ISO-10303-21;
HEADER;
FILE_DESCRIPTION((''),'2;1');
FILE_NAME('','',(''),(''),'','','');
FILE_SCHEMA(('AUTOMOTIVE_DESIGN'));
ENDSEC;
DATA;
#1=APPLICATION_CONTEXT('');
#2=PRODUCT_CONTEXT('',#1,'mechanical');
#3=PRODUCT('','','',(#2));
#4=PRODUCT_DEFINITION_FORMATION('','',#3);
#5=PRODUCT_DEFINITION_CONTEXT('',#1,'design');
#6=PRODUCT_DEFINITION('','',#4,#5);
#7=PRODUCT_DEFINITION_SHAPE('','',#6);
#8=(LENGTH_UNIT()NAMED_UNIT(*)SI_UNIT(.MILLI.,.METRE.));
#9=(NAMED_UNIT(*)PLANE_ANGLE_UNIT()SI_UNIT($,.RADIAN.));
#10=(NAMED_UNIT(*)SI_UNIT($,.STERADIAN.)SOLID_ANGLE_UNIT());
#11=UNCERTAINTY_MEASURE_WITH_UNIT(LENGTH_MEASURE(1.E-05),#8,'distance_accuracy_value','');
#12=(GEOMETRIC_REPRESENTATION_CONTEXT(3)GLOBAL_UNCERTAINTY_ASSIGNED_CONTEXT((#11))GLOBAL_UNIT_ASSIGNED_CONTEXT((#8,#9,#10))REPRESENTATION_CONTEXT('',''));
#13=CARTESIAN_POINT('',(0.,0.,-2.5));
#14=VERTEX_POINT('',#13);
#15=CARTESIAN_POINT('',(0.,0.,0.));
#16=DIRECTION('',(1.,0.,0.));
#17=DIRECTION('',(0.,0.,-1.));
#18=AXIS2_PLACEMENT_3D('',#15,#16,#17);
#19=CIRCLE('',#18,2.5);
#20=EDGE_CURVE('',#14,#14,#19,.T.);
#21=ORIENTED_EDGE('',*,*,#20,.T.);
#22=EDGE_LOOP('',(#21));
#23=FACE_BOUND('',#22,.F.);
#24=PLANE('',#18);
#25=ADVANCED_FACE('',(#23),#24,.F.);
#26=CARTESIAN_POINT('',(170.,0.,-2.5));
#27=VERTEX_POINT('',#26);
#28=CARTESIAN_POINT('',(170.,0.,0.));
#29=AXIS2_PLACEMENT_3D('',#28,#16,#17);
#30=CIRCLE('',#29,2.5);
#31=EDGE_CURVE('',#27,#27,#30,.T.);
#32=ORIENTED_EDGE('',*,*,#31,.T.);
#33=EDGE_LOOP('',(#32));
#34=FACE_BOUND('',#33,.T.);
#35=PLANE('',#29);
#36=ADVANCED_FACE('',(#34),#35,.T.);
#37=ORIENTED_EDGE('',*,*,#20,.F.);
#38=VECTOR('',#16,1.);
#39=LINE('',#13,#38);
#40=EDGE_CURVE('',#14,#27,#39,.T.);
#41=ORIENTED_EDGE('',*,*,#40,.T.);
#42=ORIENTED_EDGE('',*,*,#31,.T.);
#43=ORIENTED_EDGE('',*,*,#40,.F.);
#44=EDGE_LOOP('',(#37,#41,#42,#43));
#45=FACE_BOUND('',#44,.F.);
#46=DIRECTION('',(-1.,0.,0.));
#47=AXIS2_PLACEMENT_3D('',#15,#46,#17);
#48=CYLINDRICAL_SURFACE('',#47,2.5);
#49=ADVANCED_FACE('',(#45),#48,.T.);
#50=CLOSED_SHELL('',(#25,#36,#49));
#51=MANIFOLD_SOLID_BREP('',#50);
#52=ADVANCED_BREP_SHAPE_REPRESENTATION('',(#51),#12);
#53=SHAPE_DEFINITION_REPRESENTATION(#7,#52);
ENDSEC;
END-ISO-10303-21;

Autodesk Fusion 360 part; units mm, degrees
sketch "Sketch1" plane through (0, 0, 0) normal (1, 0, 0) x (0, 0, -1)
  circle A0 centre (0, 0) radius 2.5
  dimension "d1" = 5
extrude "Extrude1" add sketch "Sketch1" along normal blind 170
